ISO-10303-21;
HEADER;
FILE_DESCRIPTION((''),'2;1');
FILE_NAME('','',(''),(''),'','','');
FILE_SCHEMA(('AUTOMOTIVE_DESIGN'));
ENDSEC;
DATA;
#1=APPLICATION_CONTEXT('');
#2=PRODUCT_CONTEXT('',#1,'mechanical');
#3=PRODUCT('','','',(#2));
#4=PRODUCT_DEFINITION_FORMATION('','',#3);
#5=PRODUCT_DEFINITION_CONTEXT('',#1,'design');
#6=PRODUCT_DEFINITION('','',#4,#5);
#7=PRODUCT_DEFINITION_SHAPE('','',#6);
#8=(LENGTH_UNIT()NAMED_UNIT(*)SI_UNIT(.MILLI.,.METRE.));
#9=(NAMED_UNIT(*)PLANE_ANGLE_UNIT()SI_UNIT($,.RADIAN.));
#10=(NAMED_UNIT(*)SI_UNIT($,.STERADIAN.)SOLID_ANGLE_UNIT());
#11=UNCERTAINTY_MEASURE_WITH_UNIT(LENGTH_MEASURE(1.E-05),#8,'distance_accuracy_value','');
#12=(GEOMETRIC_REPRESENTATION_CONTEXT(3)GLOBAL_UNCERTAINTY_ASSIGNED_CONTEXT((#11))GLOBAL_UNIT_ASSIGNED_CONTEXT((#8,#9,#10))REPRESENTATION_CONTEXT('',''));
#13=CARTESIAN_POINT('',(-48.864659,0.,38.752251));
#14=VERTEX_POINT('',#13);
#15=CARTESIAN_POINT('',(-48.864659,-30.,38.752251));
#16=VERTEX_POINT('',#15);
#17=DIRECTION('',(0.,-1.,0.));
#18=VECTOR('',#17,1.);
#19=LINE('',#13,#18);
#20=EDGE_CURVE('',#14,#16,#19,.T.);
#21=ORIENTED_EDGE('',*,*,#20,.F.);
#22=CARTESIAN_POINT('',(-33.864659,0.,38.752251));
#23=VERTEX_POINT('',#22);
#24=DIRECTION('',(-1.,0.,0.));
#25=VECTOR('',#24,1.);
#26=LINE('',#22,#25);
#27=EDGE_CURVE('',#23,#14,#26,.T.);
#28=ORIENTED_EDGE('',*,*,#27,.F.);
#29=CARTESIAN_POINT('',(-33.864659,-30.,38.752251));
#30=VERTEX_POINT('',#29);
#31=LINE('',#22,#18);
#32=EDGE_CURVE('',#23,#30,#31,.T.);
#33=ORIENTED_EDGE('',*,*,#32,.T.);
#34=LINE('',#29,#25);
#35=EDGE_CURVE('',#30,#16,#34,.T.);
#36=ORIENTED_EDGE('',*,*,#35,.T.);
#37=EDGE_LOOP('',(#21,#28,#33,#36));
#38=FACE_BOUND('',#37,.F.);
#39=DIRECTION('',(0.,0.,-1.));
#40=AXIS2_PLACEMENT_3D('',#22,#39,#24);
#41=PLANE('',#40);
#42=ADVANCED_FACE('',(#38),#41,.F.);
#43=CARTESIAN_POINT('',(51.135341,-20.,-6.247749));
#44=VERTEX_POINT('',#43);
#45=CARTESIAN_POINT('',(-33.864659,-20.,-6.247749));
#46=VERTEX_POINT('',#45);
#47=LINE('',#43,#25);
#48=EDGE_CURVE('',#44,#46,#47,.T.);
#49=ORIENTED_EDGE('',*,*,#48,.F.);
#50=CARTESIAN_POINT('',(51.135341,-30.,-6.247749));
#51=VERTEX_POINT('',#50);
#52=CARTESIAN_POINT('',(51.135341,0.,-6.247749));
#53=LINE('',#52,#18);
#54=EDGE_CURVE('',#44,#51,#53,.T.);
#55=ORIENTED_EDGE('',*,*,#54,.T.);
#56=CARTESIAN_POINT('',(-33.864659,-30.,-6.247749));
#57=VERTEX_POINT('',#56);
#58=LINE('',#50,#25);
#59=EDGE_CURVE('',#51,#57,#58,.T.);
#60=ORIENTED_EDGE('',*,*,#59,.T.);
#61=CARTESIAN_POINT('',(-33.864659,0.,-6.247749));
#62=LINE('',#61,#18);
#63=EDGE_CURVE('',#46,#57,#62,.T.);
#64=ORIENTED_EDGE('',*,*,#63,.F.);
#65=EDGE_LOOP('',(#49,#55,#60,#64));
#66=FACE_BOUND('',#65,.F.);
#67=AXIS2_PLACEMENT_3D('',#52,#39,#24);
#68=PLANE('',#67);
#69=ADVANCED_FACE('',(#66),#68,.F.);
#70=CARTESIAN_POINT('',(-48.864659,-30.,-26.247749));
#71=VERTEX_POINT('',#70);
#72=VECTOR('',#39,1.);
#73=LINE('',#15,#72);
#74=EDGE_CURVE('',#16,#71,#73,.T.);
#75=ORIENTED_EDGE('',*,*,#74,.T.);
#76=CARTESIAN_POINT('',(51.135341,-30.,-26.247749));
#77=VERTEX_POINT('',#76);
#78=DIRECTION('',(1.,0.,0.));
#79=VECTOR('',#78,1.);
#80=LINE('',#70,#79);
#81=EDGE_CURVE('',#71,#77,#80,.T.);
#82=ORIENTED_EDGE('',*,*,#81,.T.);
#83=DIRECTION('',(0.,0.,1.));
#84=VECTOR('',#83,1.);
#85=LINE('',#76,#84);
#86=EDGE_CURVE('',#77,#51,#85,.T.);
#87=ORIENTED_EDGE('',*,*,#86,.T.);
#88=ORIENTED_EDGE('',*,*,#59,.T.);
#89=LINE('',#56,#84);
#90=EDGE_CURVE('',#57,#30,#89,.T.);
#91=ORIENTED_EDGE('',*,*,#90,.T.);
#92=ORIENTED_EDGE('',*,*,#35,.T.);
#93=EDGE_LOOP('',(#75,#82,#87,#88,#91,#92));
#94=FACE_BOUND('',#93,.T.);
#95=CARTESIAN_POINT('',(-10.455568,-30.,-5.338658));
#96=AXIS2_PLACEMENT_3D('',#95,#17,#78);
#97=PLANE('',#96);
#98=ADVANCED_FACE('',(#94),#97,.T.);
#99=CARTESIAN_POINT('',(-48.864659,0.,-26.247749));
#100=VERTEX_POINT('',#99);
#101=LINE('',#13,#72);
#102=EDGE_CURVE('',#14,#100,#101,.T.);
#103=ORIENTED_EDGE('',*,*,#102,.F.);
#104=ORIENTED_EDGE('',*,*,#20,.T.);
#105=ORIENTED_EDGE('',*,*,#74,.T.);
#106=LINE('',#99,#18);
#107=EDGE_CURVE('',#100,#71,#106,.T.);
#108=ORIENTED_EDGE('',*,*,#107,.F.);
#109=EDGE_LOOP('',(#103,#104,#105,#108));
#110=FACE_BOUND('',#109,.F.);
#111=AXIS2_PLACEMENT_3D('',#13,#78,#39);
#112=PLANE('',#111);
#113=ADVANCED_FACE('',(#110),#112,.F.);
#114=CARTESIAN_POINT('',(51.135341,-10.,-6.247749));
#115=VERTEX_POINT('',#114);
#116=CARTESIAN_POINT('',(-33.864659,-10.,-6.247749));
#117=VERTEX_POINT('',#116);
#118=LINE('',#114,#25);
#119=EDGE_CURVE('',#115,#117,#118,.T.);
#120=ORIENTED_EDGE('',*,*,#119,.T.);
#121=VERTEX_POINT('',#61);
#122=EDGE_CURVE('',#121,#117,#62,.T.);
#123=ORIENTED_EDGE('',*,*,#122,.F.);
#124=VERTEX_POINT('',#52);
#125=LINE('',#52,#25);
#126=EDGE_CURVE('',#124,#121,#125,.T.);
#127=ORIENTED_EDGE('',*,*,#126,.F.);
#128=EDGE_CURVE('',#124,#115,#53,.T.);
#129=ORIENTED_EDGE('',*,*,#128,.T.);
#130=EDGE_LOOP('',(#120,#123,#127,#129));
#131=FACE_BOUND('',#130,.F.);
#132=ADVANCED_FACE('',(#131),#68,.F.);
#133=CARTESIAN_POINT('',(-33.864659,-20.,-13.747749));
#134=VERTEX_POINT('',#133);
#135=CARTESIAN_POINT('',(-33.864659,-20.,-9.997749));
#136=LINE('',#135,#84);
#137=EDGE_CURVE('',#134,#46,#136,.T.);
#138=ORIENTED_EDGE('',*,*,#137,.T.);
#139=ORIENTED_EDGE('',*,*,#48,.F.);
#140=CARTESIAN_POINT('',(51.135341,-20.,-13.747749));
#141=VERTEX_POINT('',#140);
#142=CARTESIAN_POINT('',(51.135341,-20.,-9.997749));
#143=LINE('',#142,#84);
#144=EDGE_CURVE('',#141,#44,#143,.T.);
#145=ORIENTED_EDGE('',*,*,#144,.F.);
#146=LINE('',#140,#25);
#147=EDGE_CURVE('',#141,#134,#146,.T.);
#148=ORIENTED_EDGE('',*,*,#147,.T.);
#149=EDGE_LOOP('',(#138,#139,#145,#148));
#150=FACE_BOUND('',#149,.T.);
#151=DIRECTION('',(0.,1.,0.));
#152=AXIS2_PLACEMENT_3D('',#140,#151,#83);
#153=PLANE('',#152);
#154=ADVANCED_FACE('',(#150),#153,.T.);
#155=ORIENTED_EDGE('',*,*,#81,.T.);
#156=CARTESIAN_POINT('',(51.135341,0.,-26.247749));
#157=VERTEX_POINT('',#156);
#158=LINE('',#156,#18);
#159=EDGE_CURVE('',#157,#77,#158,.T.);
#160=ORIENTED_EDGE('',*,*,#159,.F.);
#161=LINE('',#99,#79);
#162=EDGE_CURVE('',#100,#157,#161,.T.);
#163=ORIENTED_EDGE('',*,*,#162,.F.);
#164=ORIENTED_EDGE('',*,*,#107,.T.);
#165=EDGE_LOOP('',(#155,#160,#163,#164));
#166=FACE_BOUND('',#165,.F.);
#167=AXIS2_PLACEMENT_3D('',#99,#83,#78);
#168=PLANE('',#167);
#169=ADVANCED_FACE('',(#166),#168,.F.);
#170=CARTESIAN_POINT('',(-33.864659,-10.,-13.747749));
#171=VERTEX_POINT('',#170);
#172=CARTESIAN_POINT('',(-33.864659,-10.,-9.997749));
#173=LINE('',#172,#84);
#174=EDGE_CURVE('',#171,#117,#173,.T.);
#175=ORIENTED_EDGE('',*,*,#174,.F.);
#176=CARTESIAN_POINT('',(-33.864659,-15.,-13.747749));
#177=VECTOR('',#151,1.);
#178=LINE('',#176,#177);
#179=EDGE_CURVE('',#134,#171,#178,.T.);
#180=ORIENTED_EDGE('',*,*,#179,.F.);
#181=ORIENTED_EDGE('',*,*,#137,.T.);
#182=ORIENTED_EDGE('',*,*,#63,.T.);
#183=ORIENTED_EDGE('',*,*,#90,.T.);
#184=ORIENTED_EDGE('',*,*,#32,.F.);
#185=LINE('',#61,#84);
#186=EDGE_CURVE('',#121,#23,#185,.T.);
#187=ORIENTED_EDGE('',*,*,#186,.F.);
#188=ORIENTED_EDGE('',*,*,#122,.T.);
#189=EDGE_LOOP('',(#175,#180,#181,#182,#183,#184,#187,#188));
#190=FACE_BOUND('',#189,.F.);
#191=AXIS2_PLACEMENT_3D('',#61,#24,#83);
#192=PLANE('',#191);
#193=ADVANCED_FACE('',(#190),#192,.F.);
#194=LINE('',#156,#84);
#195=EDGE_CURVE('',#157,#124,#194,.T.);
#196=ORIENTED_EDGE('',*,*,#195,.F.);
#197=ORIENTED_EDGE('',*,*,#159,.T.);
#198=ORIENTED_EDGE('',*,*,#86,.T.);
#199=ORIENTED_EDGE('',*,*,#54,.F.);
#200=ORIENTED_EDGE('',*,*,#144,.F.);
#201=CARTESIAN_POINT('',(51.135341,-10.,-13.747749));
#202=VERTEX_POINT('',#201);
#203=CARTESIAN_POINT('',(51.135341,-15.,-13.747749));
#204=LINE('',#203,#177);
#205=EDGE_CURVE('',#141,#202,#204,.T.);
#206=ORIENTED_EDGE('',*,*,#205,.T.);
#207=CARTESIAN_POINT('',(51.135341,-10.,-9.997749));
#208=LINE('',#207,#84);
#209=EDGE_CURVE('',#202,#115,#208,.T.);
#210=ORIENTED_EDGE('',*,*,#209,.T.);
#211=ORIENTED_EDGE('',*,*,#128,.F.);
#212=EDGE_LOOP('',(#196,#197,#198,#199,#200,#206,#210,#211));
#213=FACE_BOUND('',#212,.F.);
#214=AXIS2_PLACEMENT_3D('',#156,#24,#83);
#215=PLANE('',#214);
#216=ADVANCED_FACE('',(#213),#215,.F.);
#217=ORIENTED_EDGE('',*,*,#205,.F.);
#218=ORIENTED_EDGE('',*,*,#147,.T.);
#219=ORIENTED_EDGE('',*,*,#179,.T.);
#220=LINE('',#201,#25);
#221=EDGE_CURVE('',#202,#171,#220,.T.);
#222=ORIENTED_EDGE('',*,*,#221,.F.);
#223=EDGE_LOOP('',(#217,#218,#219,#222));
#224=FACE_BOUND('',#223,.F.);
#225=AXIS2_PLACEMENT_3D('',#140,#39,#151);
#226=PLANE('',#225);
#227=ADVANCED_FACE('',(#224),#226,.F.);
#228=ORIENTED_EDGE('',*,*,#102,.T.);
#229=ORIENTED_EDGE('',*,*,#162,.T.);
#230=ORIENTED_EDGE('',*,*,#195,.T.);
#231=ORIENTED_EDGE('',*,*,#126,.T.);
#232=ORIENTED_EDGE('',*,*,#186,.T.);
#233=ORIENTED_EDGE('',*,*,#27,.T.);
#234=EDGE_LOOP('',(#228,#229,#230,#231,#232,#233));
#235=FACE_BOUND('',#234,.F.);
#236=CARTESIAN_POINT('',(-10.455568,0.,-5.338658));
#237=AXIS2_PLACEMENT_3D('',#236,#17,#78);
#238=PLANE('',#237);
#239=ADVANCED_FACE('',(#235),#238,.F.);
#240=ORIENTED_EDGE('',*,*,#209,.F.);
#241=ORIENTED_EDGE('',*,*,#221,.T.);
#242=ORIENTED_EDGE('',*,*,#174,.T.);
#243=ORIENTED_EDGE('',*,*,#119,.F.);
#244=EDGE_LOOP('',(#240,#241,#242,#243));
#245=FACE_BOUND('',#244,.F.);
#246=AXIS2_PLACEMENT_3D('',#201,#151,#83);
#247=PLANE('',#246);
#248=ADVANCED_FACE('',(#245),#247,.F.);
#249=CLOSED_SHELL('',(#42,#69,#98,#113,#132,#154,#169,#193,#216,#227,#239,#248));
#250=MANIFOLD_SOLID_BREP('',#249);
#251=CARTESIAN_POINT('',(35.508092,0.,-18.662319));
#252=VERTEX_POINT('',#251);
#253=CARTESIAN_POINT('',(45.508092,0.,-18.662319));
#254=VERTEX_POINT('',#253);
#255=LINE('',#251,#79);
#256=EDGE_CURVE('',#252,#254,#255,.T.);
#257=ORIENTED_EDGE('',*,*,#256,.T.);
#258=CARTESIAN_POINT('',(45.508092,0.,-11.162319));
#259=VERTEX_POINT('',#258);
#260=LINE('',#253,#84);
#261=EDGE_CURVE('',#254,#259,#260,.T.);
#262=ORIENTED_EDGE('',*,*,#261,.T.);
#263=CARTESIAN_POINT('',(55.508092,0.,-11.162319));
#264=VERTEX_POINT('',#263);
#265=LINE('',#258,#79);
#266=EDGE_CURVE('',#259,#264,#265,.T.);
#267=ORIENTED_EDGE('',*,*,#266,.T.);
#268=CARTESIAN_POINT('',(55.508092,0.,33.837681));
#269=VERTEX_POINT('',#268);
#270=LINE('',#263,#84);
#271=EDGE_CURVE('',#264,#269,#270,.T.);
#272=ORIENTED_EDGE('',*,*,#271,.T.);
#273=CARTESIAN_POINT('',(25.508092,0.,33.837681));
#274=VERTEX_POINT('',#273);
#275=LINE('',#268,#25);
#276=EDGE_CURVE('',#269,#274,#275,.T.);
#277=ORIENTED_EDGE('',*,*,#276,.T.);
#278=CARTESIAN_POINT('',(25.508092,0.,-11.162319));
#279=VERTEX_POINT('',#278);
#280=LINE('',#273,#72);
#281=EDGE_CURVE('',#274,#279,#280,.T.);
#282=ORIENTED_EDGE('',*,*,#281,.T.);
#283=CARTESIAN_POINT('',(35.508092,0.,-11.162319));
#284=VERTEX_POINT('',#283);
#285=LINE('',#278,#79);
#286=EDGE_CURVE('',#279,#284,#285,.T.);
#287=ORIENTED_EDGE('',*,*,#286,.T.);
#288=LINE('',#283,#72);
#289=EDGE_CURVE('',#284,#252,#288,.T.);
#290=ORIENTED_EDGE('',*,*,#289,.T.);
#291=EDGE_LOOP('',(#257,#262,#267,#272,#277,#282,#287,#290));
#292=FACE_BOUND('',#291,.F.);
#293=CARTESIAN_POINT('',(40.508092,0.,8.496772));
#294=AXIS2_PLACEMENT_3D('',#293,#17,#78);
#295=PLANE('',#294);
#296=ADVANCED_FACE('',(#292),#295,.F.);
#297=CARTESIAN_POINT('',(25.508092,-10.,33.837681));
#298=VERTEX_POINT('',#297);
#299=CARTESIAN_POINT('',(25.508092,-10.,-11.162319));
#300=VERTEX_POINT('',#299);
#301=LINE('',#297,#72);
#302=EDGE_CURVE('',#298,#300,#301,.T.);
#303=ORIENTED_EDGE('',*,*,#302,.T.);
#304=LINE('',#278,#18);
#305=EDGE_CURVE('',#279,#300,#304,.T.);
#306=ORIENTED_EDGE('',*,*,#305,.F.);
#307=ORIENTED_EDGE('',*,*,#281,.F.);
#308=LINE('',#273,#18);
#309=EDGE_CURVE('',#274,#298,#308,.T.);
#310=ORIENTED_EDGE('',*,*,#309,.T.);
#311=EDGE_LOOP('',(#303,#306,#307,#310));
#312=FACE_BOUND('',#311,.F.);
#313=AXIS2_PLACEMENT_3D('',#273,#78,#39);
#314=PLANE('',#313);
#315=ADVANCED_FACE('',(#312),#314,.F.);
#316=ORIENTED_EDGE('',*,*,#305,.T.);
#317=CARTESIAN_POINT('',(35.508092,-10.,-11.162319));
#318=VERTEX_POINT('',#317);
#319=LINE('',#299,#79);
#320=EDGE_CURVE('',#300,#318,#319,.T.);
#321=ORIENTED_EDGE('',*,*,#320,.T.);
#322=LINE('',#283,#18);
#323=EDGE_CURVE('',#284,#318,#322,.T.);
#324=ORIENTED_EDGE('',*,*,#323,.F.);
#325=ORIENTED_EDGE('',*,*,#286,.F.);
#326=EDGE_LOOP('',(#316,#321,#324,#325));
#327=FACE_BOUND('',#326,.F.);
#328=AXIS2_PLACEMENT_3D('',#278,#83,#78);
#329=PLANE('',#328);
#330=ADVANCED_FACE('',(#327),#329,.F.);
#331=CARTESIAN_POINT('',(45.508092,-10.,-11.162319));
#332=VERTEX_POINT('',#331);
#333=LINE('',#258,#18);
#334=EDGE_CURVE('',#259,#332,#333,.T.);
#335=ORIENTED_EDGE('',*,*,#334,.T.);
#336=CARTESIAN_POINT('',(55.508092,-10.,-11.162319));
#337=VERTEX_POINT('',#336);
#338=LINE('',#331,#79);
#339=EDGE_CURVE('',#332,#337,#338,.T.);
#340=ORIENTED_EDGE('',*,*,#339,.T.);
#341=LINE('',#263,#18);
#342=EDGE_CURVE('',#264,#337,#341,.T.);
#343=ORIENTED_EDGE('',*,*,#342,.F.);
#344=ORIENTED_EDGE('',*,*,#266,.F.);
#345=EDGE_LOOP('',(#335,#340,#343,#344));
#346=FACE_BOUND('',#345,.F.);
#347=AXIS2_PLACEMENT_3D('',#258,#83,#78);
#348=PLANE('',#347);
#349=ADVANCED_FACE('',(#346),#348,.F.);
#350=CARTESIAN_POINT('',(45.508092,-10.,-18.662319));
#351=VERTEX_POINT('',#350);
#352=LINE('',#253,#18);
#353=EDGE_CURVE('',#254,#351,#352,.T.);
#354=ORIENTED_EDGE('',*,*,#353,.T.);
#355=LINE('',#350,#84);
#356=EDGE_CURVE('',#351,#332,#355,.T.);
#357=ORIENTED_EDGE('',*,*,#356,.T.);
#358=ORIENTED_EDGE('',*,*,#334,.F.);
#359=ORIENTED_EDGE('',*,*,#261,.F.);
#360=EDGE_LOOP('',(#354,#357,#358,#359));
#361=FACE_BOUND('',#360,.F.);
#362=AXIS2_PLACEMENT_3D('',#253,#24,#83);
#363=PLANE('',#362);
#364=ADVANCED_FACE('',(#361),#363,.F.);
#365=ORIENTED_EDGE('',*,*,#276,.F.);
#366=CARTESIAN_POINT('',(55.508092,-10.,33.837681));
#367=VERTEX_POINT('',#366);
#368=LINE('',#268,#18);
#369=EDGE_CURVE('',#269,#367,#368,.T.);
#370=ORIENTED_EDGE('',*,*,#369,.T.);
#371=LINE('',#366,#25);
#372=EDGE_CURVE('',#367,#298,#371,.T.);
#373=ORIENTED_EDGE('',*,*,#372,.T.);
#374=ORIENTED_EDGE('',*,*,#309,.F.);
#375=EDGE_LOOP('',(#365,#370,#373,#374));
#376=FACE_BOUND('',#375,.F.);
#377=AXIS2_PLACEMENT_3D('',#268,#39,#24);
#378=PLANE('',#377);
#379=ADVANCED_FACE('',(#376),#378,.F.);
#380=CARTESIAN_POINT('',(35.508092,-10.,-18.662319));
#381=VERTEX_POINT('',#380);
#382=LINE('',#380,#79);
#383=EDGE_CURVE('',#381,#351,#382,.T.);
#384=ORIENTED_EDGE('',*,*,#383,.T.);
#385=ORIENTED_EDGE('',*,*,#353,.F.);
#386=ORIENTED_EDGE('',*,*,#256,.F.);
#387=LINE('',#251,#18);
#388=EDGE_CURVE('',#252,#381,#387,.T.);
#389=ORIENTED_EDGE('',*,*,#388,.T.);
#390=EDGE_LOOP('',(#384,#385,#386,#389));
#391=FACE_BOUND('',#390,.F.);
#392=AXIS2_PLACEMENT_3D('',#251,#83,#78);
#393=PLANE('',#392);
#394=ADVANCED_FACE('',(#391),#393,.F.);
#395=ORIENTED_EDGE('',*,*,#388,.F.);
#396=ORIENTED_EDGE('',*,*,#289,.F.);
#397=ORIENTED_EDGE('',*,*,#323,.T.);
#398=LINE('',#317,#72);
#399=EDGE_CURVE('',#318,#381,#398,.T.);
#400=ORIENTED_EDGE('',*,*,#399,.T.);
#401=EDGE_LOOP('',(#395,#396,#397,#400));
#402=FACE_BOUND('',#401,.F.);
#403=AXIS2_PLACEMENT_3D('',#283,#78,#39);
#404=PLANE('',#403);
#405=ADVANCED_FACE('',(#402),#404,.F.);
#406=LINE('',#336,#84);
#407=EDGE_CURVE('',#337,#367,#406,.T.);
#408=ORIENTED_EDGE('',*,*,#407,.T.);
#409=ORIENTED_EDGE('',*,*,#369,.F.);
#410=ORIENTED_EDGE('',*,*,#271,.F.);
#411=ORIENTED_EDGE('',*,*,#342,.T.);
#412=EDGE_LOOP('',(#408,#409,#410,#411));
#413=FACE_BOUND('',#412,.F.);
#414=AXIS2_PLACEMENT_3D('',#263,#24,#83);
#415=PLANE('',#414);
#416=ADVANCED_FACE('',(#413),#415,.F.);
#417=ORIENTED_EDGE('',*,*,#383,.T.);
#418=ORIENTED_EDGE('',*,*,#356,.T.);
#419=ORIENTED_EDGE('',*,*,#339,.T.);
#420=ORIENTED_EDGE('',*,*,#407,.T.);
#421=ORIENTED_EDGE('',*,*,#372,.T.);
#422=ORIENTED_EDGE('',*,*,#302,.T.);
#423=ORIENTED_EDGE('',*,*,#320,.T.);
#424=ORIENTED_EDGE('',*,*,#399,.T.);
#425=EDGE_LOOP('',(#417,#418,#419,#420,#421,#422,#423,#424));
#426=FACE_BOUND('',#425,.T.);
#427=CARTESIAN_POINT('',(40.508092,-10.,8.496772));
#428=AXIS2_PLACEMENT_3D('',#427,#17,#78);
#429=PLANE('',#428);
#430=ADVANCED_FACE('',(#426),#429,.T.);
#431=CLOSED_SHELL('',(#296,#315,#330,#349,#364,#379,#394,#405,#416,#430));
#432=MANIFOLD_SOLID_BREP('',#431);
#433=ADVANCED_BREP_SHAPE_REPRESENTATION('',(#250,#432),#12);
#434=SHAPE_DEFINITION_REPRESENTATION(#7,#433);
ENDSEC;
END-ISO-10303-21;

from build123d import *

# Parameters (mm, degrees)
F1_DEPTH = 30
F3_DEPTH = 10
F4_W     = 10
F4_H     = 7.5
F5_DEPTH = 85


with BuildPart() as f1:
    # F0 (on Front) → F1 (new body)
    with BuildSketch(Plane.XZ):
        Polygon((-33.864659, 38.752251), (-48.864659, 38.752251), (-48.864659, -26.247749), (51.135341, -26.247749), (51.135341, -6.247749), (-33.864659, -6.247749), align=None)
    extrude(amount=F1_DEPTH)

    # F4 (on face) → F5 (cut)
    with BuildSketch(Plane.YZ.offset(51.135341)):
        with Locations((-15, -9.997749)):
            Rectangle(F4_W, F4_H)
    extrude(amount=-F5_DEPTH, mode=Mode.SUBTRACT)


with BuildPart() as f3:
    # F2 (on Front) → F3 (new body)
    with BuildSketch(Plane.XZ):
        Polygon((55.508092, 33.837681), (25.508092, 33.837681), (25.508092, -11.162319), (35.508092, -11.162319), (35.508092, -18.662319), (45.508092, -18.662319), (45.508092, -11.162319), (55.508092, -11.162319), align=None)
    extrude(amount=F3_DEPTH)


solid = Compound([f1.part, f3.part])
